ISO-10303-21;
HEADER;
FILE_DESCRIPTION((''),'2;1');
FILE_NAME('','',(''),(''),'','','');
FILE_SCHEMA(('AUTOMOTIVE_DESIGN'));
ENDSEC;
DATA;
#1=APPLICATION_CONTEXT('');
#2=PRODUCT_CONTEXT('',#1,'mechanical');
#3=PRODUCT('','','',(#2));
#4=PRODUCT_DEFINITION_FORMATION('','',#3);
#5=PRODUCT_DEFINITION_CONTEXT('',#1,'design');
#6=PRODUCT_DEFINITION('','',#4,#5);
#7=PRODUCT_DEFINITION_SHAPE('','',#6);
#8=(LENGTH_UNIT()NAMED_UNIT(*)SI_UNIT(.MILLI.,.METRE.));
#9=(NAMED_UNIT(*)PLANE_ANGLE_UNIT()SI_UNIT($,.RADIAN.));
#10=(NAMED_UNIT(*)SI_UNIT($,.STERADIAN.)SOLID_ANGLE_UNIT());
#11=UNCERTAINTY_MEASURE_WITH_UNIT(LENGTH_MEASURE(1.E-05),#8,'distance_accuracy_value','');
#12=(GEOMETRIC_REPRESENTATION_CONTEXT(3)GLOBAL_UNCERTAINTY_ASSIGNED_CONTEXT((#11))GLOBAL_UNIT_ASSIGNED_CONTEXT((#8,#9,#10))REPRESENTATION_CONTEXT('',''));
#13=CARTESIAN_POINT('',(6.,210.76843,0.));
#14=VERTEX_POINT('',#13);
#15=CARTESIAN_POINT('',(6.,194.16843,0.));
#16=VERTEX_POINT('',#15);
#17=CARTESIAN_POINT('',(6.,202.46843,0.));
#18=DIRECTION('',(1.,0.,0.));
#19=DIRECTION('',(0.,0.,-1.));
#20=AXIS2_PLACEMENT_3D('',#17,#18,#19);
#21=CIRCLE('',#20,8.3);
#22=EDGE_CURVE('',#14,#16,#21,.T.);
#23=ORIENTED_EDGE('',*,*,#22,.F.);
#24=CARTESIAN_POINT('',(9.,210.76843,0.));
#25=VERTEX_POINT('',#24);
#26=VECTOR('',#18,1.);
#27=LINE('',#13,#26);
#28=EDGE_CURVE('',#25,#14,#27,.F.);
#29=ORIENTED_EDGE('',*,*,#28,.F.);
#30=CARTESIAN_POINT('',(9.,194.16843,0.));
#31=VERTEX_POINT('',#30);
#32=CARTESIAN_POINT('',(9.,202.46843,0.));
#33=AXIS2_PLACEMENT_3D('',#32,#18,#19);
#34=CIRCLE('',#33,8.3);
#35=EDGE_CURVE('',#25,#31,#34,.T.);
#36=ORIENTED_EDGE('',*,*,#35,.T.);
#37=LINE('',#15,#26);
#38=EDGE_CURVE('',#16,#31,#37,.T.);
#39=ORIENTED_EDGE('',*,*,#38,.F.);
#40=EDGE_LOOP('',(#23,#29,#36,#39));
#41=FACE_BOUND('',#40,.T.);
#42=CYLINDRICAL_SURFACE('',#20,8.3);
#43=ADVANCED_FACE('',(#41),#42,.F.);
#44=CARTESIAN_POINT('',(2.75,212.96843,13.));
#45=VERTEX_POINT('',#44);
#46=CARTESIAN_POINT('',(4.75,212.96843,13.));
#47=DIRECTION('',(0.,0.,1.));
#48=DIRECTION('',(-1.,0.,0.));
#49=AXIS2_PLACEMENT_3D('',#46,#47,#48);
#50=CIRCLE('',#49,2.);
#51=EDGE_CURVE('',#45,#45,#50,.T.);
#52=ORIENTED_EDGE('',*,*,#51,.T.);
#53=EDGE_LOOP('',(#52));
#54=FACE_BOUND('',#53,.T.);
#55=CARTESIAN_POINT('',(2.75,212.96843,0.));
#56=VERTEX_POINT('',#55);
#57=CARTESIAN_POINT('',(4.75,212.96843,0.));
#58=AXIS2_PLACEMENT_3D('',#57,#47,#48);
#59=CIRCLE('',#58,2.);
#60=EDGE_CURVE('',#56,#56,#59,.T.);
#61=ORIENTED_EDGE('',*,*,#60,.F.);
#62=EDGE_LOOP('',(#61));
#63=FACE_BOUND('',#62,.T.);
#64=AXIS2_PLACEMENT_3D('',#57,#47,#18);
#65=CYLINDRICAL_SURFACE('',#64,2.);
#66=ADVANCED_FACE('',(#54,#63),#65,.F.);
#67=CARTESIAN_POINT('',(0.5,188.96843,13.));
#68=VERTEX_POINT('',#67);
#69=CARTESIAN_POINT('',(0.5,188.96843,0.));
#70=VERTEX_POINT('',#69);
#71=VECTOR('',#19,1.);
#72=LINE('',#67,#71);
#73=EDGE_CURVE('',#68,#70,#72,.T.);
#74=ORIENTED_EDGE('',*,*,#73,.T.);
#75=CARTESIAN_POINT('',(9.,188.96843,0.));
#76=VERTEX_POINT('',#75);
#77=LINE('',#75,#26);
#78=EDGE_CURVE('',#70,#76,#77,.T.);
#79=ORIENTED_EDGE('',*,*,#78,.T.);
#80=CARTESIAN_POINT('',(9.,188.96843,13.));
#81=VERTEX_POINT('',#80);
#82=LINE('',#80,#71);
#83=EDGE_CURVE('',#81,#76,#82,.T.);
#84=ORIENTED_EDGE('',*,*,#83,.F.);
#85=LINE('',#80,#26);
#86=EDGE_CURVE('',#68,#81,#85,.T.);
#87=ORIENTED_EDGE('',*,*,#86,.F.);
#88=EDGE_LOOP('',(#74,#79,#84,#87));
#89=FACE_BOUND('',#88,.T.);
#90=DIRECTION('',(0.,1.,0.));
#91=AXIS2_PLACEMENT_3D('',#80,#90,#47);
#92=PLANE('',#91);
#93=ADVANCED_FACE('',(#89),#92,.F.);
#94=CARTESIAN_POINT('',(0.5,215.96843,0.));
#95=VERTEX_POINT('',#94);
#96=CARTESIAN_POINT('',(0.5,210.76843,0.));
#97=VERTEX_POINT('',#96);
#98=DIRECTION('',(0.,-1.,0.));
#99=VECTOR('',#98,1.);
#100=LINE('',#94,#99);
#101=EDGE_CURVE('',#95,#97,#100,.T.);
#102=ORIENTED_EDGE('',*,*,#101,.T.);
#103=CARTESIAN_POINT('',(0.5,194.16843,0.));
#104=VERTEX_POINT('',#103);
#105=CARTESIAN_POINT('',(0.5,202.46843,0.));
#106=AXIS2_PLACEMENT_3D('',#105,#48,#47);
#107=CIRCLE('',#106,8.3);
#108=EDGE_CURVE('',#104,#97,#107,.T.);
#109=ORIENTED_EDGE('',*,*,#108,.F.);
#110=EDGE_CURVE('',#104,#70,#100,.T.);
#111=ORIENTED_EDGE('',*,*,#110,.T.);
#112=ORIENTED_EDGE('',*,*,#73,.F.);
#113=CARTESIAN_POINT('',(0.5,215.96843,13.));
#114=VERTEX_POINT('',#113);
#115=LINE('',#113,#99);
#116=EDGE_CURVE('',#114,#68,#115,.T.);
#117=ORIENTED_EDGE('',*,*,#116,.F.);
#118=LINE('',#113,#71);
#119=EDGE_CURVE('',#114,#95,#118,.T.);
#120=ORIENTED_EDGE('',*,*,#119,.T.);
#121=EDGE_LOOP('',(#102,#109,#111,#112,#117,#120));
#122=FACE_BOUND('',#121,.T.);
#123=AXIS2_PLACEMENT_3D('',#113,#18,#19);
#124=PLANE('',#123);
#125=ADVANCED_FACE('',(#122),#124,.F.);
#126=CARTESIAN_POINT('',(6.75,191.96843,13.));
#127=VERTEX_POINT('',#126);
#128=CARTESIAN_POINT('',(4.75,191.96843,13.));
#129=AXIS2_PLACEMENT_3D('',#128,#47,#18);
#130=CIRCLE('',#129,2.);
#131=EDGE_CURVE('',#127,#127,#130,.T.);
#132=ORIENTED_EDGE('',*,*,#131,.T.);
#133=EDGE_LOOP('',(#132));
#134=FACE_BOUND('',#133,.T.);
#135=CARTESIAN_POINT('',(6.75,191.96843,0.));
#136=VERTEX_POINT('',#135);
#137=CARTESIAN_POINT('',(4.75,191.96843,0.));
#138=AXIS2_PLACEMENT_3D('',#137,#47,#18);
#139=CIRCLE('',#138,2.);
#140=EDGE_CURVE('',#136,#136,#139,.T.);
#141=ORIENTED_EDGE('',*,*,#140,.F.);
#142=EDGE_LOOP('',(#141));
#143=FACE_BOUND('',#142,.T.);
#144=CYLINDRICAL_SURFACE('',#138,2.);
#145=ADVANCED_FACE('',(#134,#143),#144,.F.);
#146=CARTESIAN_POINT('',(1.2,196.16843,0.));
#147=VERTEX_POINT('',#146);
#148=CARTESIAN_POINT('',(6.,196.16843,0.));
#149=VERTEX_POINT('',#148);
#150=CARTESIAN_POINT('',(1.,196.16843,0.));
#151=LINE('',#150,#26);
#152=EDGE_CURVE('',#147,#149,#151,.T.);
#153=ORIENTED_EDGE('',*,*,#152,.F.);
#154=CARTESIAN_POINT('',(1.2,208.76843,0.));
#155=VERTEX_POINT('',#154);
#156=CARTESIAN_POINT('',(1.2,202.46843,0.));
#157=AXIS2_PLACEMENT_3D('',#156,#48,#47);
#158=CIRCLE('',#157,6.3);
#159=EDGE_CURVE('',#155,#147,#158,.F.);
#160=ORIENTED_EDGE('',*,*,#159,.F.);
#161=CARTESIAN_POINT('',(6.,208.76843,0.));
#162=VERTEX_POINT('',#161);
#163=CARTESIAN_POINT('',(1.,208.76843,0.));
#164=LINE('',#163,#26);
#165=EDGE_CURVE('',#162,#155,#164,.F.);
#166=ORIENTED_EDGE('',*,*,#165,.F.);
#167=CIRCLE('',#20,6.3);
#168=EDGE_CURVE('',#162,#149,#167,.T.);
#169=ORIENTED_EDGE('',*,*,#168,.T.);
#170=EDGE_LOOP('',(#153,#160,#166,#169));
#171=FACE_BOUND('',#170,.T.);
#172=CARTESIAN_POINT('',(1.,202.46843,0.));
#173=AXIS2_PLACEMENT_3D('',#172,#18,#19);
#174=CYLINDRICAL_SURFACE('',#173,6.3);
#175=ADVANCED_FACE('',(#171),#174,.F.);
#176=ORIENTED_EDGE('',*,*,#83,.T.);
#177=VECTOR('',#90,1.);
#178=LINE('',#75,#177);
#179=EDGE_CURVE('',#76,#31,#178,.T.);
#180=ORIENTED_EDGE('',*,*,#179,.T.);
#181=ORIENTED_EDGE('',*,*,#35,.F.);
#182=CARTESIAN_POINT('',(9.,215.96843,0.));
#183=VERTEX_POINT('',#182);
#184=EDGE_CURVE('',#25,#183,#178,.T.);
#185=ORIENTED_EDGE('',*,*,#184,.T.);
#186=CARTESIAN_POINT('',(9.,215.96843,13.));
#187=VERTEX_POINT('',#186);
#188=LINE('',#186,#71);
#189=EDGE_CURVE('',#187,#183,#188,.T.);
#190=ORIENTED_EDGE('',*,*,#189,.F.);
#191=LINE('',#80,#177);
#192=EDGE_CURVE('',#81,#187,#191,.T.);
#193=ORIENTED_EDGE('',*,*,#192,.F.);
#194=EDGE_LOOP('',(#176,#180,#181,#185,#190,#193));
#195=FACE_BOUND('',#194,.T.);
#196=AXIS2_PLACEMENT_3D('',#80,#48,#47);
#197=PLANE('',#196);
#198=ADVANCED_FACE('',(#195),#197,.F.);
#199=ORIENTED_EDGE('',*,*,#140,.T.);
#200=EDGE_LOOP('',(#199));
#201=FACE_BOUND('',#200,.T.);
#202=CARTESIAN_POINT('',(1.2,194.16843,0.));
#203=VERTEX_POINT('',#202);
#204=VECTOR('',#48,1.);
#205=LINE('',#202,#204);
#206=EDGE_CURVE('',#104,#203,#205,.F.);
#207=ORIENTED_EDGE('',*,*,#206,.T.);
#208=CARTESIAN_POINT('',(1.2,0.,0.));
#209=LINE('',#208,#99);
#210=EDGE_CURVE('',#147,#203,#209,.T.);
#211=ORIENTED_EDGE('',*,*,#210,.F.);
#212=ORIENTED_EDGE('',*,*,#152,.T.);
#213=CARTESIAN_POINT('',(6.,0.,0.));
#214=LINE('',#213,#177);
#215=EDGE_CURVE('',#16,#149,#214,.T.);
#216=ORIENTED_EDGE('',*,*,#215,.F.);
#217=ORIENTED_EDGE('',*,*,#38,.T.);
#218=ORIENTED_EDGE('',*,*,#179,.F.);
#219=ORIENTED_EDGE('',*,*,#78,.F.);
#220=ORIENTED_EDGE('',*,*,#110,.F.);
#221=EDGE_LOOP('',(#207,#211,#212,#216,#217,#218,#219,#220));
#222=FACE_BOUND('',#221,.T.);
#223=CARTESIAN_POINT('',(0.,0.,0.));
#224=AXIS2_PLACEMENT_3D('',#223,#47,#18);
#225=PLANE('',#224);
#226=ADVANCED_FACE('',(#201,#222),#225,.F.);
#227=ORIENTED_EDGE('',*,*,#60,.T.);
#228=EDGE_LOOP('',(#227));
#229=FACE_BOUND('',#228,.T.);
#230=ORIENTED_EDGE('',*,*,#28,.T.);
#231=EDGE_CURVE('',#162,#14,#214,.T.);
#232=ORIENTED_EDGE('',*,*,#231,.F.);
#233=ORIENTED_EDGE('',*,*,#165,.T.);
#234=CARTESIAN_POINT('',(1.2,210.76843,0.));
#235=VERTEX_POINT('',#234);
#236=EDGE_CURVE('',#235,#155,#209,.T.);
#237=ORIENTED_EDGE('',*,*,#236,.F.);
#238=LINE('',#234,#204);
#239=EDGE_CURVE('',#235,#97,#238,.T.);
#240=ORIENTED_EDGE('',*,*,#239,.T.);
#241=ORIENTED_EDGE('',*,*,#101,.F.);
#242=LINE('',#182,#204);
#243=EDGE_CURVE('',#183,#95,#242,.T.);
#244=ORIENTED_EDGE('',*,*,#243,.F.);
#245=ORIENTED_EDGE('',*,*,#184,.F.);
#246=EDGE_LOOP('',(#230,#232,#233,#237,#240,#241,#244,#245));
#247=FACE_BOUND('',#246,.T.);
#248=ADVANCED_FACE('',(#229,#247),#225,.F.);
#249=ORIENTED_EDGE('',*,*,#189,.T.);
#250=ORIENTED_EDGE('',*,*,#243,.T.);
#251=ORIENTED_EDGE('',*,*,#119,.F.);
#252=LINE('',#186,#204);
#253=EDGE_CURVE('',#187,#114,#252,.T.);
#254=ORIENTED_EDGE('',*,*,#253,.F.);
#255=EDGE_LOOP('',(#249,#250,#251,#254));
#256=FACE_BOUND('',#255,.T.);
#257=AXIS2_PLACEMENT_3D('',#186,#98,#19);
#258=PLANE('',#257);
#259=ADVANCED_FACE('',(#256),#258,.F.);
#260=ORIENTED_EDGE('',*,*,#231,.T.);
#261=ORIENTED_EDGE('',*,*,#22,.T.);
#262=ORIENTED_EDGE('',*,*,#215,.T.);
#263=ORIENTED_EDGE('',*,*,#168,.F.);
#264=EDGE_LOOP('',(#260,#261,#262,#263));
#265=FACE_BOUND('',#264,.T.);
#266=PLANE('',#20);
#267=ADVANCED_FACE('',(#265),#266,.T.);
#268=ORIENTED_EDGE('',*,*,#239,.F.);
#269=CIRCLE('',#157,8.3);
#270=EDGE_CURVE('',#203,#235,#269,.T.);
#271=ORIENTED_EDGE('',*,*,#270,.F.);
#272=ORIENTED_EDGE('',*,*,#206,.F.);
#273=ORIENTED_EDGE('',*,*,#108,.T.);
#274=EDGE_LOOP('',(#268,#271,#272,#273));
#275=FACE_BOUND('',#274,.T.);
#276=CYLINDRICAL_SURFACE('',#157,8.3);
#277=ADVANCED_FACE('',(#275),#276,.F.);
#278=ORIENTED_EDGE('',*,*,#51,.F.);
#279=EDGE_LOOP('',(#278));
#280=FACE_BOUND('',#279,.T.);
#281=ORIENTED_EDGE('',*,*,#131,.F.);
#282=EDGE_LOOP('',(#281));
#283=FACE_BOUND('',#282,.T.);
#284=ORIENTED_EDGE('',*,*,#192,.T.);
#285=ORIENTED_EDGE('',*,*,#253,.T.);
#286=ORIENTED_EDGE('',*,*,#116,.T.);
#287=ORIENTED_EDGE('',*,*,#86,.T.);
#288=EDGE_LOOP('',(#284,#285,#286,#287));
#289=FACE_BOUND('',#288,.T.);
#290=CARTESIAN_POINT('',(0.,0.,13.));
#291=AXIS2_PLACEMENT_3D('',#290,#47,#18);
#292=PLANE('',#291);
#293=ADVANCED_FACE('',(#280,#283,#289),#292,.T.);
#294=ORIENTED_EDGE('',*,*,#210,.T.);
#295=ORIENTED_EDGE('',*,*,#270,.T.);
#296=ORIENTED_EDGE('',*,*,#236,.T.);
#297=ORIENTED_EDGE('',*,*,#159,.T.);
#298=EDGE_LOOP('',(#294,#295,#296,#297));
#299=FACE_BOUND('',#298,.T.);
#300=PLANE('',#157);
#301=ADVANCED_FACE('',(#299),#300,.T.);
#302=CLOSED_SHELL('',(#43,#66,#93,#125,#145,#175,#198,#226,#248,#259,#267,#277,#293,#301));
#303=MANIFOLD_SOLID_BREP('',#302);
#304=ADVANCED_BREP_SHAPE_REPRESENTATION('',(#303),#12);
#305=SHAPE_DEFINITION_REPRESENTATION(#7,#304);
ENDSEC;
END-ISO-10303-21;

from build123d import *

# Parameters (mm, degrees)
ESBO_O1_W                = 8.5
ESBO_O1_H                = 27
RESSALTO_EXTRUS_O1_DEPTH = 13
ESBO_O3_R                = 8.3
CORTE_EXTRUS_O1_DEPTH    = 3
ESBO_O4_R                = 6.3
CORTE_EXTRUS_O2_DEPTH    = 5
ESBO_O7_R                = 8.3
CORTE_EXTRUS_O3_DEPTH    = 0.7
ESBO_O8_R                = 2
CORTE_EXTRUS_O4_DEPTH    = 14


with BuildPart() as part:
    # Esboço1 → Ressalto-extrusão1 (new body)
    with BuildSketch(Plane.XY):
        with Locations((4.75, 202.468429513)):
            Rectangle(ESBO_O1_W, ESBO_O1_H)
    extrude(amount=RESSALTO_EXTRUS_O1_DEPTH)

    # Esboço3 → Corte-extrusão1 (cut)
    with BuildSketch(Plane(origin=(9, 0, 0), x_dir=(0, 0, -1), z_dir=(1, 0, 0))):
        with Locations((0, 202.468429513)):
            Circle(ESBO_O3_R)
    extrude(amount=-CORTE_EXTRUS_O1_DEPTH, mode=Mode.SUBTRACT)

    # Esboço4 → Corte-extrusão2 (cut)
    with BuildSketch(Plane(origin=(6, 0, 0), x_dir=(0, 0, -1), z_dir=(1, 0, 0))):
        with Locations((0, 202.468429513)):
            Circle(ESBO_O4_R)
    extrude(amount=-CORTE_EXTRUS_O2_DEPTH, mode=Mode.SUBTRACT)

    # Esboço7 → Corte-extrusão3 (cut)
    with BuildSketch(Plane.ZY.offset(-0.5)):
        with Locations((0, 202.468429513)):
            Circle(ESBO_O7_R)
    extrude(amount=-CORTE_EXTRUS_O3_DEPTH, mode=Mode.SUBTRACT)

    # Esboço8 → Corte-extrusão4 (cut, through all)
    with BuildSketch(Plane.XY.offset(13)):
        with Locations((4.75, 191.968429513)):
            Circle(ESBO_O8_R)
        with Locations((4.75, 212.968429513)):
            Circle(ESBO_O8_R)
    extrude(amount=-CORTE_EXTRUS_O4_DEPTH, mode=Mode.SUBTRACT)


solid = part.part
